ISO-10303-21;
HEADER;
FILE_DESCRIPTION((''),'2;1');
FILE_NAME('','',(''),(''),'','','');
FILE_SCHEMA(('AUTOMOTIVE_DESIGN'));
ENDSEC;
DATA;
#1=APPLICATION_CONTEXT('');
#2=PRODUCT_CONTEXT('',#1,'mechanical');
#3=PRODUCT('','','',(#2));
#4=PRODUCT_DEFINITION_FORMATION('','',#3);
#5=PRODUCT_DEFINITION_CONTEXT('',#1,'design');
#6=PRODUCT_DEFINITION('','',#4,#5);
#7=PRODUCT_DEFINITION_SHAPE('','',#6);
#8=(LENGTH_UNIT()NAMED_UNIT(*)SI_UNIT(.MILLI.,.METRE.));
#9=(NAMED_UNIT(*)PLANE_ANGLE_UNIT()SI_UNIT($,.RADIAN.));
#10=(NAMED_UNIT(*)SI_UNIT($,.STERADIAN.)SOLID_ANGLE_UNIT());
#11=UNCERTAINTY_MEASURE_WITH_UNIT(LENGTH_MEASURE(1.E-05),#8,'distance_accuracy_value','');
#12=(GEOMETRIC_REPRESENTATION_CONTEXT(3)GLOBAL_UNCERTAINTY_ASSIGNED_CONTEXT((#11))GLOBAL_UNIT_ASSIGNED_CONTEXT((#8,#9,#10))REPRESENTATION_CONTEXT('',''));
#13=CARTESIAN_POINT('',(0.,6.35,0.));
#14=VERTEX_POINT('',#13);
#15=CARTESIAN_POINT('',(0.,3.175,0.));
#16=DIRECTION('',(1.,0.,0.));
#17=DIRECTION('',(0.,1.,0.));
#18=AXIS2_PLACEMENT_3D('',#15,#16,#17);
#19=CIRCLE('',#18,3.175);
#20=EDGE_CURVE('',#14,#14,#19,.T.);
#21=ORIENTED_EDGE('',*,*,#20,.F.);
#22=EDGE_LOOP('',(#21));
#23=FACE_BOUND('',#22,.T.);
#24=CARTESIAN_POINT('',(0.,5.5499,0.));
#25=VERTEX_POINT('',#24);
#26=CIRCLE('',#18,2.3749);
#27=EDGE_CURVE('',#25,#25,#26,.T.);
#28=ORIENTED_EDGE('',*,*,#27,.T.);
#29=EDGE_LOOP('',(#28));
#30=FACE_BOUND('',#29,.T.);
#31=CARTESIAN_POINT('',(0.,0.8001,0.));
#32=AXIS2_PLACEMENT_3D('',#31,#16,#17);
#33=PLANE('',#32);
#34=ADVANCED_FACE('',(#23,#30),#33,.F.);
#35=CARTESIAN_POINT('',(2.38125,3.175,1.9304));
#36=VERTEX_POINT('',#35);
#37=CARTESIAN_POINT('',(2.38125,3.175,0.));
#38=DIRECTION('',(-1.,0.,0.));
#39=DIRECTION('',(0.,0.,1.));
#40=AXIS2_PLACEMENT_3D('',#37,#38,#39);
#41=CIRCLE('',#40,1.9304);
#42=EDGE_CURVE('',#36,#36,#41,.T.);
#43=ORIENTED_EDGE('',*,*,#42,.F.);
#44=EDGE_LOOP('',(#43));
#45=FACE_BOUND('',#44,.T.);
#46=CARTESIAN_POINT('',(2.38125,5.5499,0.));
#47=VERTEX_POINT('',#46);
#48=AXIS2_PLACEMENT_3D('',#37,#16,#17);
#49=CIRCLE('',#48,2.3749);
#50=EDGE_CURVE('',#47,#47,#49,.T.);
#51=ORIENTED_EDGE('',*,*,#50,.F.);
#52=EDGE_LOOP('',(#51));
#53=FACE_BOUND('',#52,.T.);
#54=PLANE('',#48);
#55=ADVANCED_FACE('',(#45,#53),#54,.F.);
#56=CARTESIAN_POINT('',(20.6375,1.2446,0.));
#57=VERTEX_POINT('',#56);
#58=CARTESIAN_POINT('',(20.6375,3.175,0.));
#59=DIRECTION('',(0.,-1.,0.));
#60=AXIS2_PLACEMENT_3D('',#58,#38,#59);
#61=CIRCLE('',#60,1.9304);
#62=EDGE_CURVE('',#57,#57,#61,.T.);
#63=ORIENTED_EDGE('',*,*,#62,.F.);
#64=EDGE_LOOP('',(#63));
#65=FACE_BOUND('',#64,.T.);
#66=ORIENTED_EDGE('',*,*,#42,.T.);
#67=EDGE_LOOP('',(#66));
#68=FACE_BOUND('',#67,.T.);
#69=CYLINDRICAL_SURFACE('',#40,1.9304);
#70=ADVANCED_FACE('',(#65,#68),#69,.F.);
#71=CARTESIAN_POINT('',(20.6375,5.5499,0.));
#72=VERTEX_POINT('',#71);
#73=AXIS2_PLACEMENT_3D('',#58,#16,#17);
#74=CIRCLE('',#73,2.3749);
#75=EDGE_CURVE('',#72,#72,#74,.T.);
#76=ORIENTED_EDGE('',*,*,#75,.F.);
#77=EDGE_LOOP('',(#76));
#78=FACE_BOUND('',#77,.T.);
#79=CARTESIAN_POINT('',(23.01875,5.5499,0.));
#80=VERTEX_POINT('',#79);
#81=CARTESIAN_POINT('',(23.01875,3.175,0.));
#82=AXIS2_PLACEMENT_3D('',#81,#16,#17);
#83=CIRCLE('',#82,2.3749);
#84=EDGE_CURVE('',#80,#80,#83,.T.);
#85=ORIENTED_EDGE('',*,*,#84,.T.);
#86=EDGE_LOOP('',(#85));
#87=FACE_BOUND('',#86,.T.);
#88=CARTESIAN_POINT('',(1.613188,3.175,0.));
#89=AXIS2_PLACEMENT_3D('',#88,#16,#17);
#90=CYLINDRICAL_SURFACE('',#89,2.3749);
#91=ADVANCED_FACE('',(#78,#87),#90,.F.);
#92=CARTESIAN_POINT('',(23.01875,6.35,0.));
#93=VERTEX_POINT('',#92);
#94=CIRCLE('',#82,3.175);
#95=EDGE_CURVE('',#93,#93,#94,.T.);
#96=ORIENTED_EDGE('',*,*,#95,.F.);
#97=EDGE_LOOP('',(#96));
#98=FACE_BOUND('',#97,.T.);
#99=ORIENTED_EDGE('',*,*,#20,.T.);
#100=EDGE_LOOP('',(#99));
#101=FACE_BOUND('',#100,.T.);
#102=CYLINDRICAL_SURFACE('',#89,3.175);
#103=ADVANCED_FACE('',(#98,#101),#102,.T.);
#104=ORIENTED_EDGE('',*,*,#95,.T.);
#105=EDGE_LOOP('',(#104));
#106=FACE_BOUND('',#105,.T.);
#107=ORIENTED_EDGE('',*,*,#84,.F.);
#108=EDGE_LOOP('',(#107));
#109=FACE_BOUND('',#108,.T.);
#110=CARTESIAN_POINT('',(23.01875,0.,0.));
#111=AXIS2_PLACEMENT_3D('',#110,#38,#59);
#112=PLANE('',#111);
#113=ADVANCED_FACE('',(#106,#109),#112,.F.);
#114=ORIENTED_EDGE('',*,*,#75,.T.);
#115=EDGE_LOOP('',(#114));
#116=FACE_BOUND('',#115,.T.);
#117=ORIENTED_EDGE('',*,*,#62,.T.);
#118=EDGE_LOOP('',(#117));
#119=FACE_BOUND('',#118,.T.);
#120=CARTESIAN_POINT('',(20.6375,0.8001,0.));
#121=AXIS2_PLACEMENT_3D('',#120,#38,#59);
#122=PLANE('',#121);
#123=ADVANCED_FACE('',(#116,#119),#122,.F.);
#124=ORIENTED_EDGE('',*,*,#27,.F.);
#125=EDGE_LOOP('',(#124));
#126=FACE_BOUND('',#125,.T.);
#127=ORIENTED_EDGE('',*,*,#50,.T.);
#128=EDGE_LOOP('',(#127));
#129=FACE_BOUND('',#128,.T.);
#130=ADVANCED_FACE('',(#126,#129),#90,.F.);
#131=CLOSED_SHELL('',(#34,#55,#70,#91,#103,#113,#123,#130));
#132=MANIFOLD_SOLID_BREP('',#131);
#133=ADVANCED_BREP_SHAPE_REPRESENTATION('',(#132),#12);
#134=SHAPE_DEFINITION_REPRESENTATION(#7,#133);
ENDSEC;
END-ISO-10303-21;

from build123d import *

# Parameters (mm, degrees)
F_24_0_152_DIAMETER_HOLE1_D = 3.8608


with BuildPart() as part:
    # Sketch1 → Revolve1 (revolve)
    with BuildSketch(Plane.XY, mode=Mode.PRIVATE) as revolve1_sk:
        Polygon((0, 0), (23.01875, 0), (23.01875, 0.8001), (20.6375, 0.8001), (20.6375, 3.175), (2.38125, 3.175), (2.38125, 0.8001), (0, 0.8001), align=None)
    revolve(revolve1_sk.sketch.rotate(Axis((1.613187702, 3.175, 0), (-1, 0, 0)), 180), axis=Axis((1.613187702, 3.175, 0), (-1, 0, 0)))

    # #24 (0.152) Diameter Hole1 (through all)
    with Locations(Plane.ZY.offset(-2.38125)):
        with Locations((0, 3.175)):
            Hole(F_24_0_152_DIAMETER_HOLE1_D / 2)


solid = part.part
